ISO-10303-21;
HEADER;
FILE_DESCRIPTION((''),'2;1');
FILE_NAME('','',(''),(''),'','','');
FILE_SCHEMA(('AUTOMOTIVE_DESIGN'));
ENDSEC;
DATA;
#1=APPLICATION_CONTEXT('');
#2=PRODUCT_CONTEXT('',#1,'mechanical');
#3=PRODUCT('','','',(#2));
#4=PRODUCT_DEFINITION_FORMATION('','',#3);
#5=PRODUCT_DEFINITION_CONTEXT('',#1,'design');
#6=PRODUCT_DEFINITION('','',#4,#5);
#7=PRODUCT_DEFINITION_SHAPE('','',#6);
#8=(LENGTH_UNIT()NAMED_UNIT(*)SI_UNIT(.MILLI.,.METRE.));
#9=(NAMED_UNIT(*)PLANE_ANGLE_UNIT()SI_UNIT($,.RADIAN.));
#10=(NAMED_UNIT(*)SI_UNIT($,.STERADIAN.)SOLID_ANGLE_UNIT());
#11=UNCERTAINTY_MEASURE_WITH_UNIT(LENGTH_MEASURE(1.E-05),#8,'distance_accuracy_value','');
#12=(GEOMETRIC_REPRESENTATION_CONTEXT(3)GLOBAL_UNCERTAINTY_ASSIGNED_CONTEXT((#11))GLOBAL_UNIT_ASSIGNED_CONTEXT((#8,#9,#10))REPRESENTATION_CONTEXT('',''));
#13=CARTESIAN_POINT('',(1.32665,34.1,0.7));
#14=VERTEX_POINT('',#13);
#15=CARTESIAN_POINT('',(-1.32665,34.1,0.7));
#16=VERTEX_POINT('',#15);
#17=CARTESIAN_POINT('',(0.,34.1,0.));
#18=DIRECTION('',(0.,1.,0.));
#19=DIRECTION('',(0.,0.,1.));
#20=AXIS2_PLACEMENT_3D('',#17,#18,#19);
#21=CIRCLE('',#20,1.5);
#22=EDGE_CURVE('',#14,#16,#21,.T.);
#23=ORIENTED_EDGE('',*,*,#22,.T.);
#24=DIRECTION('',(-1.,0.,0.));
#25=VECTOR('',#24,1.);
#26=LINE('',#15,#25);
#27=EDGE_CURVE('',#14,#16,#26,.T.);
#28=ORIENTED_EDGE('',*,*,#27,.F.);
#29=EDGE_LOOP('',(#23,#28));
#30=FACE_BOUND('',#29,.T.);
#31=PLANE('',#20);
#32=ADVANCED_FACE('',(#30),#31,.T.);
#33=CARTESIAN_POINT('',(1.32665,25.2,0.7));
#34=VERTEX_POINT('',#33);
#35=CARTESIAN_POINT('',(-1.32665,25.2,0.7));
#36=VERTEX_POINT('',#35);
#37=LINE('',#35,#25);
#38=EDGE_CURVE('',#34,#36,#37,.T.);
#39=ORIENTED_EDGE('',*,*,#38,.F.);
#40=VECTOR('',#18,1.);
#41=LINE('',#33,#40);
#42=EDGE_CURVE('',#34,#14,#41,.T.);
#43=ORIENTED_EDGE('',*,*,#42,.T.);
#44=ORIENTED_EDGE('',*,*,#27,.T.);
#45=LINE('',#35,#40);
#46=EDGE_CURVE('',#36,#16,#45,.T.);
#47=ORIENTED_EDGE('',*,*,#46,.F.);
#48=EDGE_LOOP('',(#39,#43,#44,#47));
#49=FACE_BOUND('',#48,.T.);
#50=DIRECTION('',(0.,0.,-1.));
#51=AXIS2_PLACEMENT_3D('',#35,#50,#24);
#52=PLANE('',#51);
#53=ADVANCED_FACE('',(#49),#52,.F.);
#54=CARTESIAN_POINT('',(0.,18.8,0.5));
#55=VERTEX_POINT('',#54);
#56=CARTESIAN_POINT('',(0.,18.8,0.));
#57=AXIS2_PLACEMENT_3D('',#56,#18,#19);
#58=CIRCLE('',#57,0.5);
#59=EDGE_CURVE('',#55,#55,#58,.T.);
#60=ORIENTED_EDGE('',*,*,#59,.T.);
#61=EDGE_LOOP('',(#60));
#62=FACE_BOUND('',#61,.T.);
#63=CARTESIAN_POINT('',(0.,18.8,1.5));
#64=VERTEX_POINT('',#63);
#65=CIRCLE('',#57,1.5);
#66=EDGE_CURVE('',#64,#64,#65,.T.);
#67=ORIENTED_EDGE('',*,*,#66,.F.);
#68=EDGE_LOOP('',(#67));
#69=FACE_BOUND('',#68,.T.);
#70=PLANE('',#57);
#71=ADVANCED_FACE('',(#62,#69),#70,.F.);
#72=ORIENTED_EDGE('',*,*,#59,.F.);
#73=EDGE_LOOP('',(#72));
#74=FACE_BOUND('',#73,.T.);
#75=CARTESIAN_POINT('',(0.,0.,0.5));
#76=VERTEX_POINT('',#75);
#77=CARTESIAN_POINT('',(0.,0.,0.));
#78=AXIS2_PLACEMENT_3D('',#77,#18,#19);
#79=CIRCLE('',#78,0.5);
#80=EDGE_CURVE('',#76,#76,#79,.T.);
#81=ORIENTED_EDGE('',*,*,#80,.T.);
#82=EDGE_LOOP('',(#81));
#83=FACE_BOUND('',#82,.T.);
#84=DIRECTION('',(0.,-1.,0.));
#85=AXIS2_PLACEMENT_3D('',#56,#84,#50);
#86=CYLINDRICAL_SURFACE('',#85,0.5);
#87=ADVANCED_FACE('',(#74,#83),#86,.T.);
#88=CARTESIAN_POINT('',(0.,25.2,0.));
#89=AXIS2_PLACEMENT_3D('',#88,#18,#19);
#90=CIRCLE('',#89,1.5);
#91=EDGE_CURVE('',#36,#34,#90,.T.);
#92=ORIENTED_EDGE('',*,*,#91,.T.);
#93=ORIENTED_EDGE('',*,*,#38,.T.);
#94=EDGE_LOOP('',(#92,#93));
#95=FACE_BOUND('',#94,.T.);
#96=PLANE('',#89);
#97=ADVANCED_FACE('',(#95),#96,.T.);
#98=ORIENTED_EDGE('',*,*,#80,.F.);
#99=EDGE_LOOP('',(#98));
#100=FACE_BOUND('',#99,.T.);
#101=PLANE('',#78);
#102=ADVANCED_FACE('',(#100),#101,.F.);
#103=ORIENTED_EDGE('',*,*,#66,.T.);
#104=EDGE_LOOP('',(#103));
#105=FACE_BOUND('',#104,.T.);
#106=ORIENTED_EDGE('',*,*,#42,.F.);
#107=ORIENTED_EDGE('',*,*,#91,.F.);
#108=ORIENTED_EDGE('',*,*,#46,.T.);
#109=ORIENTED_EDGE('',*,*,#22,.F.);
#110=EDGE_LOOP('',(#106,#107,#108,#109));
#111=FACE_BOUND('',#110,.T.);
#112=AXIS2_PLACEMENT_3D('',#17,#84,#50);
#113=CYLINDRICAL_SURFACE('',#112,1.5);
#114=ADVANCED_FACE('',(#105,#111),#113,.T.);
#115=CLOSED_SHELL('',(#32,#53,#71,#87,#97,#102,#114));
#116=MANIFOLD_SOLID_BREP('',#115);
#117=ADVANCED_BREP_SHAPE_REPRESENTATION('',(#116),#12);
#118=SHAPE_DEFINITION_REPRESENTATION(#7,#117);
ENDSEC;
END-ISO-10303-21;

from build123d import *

# Parameters (mm, degrees)
CROQUIS1_R              = 0.5
SALIENTE_EXTRUIR1_DEPTH = 18.8
CROQUIS2_R              = 1.5
SALIENTE_EXTRUIR2_DEPTH = 15.3
CORTAR_EXTRUIR1_START   = -8.9
CORTAR_EXTRUIR1_DEPTH   = 8.9


with BuildPart() as part:
    # Croquis1 → Saliente-Extruir1 (new body)
    with BuildSketch(Plane(origin=(0, 0, 0), x_dir=(1, 0, 0), z_dir=(0, 1, 0))):
        with Locations(Location((0, 0, 0), (0, 0, 270))):
            Circle(CROQUIS1_R)
    extrude(amount=SALIENTE_EXTRUIR1_DEPTH)

    # Croquis2 → Saliente-Extruir2 (add)
    with BuildSketch(Plane(origin=(0, 18.8, 0), x_dir=(1, 0, 0), z_dir=(0, 1, 0))):
        with Locations(Location((0, 0, 0), (0, 0, 270))):
            Circle(CROQUIS2_R)
    extrude(amount=SALIENTE_EXTRUIR2_DEPTH)

    # Croquis3 → Cortar-Extruir1 (cut)
    with BuildSketch(Plane(origin=(0, 34.1, 0), x_dir=(1, 0, 0), z_dir=(0, 1, 0)).offset(CORTAR_EXTRUIR1_START)):
        with BuildLine():
            Line((-1.326649916, -0.7), (1.326649916, -0.7))
            ThreePointArc((1.326649916, -0.7), (0, -1.5), (-1.326649916, -0.7))
        make_face()
    extrude(amount=CORTAR_EXTRUIR1_DEPTH, mode=Mode.SUBTRACT)


solid = part.part
